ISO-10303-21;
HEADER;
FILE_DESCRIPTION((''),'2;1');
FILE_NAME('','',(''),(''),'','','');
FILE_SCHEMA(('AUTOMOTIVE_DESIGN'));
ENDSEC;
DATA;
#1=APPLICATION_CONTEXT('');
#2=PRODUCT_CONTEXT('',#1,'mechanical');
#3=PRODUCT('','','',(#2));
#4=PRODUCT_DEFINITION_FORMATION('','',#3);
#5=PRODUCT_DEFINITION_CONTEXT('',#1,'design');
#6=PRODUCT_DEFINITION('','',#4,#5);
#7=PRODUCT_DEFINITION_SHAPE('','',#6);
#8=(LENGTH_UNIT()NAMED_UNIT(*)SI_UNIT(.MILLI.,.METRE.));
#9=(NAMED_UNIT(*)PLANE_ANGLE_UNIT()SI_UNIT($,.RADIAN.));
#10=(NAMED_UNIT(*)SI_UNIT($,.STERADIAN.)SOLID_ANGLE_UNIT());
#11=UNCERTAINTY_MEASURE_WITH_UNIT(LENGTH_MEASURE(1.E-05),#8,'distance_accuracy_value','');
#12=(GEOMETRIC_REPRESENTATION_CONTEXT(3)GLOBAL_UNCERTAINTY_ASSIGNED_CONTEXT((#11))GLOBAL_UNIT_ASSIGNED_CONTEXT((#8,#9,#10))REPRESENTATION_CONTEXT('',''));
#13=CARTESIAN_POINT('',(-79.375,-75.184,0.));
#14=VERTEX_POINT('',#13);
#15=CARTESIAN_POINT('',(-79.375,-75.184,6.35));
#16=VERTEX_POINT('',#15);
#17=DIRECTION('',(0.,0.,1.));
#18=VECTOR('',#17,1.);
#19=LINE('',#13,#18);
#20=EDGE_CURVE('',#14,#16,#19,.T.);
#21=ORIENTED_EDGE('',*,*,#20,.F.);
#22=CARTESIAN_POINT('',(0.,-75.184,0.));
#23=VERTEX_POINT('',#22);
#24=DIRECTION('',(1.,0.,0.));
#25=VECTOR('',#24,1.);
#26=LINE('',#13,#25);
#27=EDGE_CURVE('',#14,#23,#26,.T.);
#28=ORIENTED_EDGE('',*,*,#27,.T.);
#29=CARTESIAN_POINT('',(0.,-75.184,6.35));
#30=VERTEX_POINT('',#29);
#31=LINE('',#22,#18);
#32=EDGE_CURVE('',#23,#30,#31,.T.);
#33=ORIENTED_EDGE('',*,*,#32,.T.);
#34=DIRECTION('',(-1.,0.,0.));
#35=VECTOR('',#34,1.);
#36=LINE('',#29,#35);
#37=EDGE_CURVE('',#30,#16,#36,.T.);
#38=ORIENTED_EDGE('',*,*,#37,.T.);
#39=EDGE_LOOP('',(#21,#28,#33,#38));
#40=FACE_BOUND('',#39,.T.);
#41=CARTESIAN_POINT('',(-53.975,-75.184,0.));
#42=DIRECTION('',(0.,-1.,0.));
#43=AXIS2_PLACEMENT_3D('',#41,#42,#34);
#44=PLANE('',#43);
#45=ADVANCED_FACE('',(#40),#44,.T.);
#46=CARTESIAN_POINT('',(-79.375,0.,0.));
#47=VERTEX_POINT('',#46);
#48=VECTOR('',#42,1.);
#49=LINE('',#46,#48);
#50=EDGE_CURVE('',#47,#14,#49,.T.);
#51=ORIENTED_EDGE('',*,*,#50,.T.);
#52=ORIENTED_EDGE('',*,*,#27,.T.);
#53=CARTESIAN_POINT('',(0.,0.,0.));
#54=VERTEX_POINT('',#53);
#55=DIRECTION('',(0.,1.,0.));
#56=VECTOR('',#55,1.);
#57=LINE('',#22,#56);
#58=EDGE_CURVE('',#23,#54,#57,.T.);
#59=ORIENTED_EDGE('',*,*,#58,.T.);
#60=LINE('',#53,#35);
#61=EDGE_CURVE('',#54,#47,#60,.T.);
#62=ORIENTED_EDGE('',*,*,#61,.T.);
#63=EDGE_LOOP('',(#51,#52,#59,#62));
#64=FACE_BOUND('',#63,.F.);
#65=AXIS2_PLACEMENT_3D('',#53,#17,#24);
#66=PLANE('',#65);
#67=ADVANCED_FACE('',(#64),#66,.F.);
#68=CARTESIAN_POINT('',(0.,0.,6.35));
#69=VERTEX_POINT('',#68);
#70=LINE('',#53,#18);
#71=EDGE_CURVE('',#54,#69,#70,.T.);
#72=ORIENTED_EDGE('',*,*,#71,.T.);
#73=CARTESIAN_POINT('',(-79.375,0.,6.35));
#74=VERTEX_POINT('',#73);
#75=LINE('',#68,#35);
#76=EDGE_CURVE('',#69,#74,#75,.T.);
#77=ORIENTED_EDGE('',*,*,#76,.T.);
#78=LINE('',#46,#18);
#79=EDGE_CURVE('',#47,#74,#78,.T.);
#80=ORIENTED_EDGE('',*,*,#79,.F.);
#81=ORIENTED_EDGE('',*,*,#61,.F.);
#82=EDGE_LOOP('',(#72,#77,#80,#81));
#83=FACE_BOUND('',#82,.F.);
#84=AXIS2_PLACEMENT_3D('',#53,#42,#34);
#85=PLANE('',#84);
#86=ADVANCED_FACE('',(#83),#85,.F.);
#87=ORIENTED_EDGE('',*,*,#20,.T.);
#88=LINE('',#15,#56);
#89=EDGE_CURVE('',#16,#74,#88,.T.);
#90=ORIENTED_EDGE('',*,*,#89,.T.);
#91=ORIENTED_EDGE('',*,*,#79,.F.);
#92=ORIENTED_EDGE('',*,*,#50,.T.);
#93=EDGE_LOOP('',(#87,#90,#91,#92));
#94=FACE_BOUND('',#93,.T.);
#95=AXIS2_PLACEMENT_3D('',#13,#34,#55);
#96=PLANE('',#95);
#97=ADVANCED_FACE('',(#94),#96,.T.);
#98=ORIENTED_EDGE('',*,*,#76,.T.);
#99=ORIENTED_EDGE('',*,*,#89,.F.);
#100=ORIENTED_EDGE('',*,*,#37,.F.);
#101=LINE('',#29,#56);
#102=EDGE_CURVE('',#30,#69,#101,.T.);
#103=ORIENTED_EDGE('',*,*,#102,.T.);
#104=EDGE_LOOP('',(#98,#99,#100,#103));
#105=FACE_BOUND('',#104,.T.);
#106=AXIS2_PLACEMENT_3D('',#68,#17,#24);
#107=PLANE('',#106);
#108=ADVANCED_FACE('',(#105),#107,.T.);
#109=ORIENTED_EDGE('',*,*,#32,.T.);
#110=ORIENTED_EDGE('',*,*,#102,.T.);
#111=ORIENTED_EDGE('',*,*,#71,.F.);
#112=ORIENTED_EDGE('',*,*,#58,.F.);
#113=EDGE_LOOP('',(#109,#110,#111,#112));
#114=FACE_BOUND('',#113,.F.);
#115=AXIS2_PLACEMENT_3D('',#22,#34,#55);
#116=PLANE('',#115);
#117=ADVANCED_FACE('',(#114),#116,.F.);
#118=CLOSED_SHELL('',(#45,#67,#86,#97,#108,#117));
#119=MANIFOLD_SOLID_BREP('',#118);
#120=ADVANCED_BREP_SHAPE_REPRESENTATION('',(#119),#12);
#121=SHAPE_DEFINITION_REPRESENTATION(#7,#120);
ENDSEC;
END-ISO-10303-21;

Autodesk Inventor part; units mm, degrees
ref_plane "YZ Plane" through (0, 0, 0) normal (1, 0, 0) x (0, 1, 0)
ref_plane "XZ Plane" through (0, 0, 0) normal (0, 1, 0) x (-1, 0, 0)
ref_plane "XY Plane" through (0, 0, 0) normal (0, 0, 1) x (1, 0, 0)
ref_plane "Work Plane1" through (0, 0, 0) normal (0, 0, 1) x (1, 0, 0)
sketch "Sketch1" plane through (0, 0, 0) normal (0, 0, 1) x (1, 0, 0)
  line L0 (-53.975, -75.184) -> (-79.375, -75.184) projected
  line L1 (-53.975, -68.834) -> (-53.975, -75.184) projected
  line L2 (-79.375, -68.834) -> (-53.975, -68.834) projected
  line L3 (-79.375, -75.184) -> (-79.375, -68.834) projected
  line L4 (0, 0) -> (-79.375, 0)
  line L5 (-79.375, 0) -> (-79.375, -75.184)
  line L6 (-79.375, -75.184) -> (0, -75.184)
  line L7 (0, -75.184) -> (0, 0)
extrude "Extrusion1" add sketch "Sketch1" along normal blind 6.35
properties part number "frameTop"
